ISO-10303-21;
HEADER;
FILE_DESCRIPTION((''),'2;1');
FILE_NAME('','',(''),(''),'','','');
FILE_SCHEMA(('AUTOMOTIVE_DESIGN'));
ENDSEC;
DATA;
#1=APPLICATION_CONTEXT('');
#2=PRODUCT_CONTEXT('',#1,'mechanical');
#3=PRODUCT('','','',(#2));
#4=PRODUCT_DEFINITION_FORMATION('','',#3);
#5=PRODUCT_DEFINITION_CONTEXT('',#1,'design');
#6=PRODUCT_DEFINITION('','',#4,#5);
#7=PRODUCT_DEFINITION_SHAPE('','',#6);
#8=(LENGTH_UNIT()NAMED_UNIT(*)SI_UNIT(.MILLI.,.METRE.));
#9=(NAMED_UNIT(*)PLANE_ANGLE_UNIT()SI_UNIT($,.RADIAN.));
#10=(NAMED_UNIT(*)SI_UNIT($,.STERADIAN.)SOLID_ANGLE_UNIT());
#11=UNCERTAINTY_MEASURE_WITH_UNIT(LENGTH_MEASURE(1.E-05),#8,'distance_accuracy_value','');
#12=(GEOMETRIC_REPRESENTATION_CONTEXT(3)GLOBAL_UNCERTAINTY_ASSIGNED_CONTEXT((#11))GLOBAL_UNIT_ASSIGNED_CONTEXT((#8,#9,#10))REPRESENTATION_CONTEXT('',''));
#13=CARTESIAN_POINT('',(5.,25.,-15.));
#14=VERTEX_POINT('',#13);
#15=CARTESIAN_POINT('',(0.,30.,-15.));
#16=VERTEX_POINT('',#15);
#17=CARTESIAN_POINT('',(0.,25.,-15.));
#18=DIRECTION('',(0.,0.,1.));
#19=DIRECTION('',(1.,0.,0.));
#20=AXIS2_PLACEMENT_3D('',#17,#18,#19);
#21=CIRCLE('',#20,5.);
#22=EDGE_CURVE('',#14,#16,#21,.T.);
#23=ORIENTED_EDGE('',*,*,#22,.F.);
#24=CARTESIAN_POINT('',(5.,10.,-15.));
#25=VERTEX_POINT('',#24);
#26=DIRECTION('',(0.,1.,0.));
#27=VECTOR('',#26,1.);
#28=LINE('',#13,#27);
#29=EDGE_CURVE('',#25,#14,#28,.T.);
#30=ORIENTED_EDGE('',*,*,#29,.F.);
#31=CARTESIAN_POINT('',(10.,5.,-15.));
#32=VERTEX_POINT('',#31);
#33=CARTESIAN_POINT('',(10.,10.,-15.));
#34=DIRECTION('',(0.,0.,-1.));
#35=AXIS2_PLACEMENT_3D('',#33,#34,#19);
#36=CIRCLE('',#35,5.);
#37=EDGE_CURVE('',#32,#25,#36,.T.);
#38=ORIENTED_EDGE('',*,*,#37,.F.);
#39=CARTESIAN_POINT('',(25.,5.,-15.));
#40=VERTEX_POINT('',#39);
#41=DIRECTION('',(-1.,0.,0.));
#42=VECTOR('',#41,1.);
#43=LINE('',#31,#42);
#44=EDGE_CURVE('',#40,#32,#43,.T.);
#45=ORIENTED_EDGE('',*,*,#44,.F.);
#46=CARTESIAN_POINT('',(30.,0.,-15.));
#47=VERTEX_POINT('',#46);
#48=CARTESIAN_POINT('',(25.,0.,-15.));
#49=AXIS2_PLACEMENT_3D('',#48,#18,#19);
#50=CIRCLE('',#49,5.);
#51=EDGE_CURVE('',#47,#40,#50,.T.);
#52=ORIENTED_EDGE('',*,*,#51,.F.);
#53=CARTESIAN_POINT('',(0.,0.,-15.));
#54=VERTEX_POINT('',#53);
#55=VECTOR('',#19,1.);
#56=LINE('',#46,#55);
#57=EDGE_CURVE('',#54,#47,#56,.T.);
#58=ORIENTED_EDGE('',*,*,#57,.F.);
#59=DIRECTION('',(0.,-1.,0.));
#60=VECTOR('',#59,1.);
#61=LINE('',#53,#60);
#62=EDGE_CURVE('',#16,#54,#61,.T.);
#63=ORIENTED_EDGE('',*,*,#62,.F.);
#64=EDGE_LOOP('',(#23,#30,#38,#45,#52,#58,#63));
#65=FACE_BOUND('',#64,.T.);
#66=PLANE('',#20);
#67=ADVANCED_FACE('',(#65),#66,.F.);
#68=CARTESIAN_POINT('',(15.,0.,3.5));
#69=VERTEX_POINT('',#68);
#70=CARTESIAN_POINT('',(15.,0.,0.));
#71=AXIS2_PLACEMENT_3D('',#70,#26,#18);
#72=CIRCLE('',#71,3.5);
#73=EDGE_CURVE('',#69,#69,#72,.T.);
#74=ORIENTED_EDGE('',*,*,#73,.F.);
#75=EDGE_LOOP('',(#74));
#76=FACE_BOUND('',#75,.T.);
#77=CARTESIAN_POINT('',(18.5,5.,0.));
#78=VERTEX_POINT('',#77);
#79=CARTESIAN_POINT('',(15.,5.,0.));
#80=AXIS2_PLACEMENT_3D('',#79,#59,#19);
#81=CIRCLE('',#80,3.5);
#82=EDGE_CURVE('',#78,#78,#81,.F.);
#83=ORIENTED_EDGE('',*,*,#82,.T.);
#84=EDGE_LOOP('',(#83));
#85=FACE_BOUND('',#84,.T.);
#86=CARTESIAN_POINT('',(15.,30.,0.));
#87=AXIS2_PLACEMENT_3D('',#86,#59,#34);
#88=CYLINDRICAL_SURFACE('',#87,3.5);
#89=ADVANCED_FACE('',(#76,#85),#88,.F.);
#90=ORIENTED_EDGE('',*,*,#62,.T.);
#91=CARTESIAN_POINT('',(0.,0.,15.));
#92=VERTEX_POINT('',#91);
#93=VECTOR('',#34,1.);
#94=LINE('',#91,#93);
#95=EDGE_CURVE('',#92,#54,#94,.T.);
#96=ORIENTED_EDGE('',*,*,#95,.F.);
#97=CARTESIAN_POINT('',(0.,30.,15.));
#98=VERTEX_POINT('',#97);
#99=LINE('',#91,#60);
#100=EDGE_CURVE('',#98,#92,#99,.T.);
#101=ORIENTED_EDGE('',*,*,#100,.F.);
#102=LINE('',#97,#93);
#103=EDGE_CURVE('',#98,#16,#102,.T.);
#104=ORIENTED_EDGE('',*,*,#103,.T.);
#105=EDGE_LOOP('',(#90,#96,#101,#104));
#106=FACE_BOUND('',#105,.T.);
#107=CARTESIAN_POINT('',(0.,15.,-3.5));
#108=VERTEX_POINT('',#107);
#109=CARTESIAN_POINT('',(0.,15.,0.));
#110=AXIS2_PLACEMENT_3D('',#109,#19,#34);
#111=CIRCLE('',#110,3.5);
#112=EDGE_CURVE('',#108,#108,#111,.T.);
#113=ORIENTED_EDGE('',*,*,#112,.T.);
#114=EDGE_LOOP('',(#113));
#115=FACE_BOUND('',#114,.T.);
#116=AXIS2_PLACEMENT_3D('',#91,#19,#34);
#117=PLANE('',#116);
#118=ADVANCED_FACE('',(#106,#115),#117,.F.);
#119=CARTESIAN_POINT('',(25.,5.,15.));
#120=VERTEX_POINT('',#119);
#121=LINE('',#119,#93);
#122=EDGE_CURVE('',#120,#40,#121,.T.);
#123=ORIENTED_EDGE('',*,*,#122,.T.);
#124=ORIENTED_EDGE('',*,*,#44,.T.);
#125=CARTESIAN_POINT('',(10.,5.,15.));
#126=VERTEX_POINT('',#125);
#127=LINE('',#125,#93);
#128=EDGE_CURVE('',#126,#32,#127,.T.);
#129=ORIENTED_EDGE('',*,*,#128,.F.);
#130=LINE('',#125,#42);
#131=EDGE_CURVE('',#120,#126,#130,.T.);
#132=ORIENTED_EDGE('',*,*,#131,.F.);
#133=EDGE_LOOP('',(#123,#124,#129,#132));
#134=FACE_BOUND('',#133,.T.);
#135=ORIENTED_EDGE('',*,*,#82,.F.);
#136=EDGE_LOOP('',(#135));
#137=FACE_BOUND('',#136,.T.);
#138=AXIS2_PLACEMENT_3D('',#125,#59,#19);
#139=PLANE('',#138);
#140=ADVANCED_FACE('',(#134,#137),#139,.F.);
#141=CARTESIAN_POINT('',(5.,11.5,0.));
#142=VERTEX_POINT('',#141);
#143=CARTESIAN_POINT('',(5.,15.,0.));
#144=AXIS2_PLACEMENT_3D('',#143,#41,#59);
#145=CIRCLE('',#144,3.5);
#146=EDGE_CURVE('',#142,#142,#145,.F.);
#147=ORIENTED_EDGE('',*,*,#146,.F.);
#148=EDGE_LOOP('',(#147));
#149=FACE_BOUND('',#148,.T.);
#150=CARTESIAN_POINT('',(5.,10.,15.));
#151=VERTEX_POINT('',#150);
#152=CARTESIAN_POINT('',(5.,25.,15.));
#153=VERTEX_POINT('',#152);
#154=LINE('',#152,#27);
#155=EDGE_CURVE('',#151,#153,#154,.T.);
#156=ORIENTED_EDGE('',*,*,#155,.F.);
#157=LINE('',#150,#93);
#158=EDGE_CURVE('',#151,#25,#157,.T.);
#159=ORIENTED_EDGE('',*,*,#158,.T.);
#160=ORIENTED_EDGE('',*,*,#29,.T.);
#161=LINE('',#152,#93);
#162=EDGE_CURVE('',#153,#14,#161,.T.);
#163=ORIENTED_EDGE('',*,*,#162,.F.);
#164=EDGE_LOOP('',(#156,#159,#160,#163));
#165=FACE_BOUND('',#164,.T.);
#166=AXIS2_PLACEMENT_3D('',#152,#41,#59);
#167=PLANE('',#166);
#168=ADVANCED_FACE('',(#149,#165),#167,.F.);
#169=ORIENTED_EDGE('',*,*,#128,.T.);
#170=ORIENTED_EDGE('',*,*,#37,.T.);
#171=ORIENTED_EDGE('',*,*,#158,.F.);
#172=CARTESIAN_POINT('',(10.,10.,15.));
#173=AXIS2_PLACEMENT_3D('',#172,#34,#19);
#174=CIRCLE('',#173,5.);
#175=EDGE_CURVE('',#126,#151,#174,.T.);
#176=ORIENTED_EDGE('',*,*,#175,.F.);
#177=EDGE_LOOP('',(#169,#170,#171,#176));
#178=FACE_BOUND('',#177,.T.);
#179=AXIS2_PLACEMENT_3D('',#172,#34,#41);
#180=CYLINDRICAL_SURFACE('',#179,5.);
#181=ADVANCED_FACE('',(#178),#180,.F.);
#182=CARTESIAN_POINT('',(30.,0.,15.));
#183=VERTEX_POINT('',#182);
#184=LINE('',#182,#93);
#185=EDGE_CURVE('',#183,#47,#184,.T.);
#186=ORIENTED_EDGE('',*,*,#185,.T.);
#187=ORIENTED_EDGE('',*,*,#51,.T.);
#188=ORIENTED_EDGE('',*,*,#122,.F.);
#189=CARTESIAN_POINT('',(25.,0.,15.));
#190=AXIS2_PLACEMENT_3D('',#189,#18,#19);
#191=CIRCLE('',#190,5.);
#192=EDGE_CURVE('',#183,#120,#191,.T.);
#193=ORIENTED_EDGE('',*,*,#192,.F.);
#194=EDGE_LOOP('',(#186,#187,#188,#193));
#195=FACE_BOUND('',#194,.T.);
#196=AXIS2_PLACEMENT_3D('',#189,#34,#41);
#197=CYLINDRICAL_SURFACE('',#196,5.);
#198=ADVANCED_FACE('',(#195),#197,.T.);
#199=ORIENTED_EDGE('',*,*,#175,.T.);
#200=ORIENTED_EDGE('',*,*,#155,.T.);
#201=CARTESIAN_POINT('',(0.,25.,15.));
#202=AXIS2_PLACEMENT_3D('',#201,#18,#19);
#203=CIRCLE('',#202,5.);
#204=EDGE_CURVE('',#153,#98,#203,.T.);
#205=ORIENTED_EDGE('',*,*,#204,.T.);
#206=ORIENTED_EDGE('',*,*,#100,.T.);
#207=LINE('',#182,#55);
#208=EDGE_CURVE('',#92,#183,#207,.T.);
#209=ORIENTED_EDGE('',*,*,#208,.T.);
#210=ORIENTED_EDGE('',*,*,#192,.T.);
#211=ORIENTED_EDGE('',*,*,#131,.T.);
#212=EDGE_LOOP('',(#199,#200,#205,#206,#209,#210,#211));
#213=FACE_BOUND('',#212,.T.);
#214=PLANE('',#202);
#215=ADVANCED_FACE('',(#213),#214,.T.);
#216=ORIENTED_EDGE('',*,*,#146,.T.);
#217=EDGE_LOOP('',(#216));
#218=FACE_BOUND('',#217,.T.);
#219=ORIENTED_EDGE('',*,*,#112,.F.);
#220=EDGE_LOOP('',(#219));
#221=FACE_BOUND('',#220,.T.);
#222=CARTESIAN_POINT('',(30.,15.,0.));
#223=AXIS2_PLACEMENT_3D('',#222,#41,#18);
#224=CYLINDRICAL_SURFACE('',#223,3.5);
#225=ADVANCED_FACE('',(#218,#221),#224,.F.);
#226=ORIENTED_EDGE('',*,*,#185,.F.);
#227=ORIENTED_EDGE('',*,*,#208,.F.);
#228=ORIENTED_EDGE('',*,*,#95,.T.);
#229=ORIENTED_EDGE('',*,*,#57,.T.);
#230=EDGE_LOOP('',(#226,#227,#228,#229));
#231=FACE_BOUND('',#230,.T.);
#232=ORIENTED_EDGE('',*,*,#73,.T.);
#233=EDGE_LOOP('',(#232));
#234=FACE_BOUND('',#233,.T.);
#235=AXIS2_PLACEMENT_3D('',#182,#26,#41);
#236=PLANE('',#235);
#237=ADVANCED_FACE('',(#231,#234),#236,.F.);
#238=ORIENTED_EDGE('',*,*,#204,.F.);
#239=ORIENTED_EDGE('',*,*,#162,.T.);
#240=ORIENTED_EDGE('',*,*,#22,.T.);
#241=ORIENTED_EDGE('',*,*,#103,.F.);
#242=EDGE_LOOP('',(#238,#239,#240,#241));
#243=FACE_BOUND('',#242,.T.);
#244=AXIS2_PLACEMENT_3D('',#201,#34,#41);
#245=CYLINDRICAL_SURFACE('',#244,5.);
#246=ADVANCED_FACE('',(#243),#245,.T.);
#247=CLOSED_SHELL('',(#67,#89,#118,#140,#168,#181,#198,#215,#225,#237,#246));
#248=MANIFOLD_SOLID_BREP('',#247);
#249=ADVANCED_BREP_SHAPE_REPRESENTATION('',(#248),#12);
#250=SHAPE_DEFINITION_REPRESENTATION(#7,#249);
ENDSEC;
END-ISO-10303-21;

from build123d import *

# Parameters (mm, degrees)
BOSS_EXTRUDE1_DEPTH = 15
SKETCH2_R           = 3.5
CUT_EXTRUDE1_DEPTH  = 46
SKETCH3_R           = 3.5
CUT_EXTRUDE2_DEPTH  = 46


with BuildPart() as part:
    # Sketch1 → Boss-Extrude1 (new, symmetric)
    with BuildSketch(Plane.XY):
        with BuildLine():
            Line((0, 0), (0, 30))
            ThreePointArc((0, 30), (3.535533906, 28.535533906), (5, 25))
            Line((5, 25), (5, 10))
            ThreePointArc((5, 10), (6.464466094, 6.464466094), (10, 5))
            Line((10, 5), (25, 5))
            ThreePointArc((25, 5), (28.535533906, 3.535533906), (30, 0))
            Line((30, 0), (0, 0))
        make_face()
    extrude(amount=BOSS_EXTRUDE1_DEPTH, both=True)

    # Sketch2 → Cut-Extrude1 (cut, through all)
    with BuildSketch(Plane(origin=(0, 0, 0), x_dir=(1, 0, 0), z_dir=(0, 1, 0))):
        with Locations((15, 0)):
            Circle(SKETCH2_R)
    extrude(amount=CUT_EXTRUDE1_DEPTH, mode=Mode.SUBTRACT)

    # Sketch3 → Cut-Extrude2 (cut, through all)
    with BuildSketch(Plane(origin=(0, 0, 0), x_dir=(0, 0, -1), z_dir=(1, 0, 0))):
        with Locations(Location((0, 15, 0), (0, 0, 270))):
            Circle(SKETCH3_R)
    extrude(amount=CUT_EXTRUDE2_DEPTH, mode=Mode.SUBTRACT)


solid = part.part
